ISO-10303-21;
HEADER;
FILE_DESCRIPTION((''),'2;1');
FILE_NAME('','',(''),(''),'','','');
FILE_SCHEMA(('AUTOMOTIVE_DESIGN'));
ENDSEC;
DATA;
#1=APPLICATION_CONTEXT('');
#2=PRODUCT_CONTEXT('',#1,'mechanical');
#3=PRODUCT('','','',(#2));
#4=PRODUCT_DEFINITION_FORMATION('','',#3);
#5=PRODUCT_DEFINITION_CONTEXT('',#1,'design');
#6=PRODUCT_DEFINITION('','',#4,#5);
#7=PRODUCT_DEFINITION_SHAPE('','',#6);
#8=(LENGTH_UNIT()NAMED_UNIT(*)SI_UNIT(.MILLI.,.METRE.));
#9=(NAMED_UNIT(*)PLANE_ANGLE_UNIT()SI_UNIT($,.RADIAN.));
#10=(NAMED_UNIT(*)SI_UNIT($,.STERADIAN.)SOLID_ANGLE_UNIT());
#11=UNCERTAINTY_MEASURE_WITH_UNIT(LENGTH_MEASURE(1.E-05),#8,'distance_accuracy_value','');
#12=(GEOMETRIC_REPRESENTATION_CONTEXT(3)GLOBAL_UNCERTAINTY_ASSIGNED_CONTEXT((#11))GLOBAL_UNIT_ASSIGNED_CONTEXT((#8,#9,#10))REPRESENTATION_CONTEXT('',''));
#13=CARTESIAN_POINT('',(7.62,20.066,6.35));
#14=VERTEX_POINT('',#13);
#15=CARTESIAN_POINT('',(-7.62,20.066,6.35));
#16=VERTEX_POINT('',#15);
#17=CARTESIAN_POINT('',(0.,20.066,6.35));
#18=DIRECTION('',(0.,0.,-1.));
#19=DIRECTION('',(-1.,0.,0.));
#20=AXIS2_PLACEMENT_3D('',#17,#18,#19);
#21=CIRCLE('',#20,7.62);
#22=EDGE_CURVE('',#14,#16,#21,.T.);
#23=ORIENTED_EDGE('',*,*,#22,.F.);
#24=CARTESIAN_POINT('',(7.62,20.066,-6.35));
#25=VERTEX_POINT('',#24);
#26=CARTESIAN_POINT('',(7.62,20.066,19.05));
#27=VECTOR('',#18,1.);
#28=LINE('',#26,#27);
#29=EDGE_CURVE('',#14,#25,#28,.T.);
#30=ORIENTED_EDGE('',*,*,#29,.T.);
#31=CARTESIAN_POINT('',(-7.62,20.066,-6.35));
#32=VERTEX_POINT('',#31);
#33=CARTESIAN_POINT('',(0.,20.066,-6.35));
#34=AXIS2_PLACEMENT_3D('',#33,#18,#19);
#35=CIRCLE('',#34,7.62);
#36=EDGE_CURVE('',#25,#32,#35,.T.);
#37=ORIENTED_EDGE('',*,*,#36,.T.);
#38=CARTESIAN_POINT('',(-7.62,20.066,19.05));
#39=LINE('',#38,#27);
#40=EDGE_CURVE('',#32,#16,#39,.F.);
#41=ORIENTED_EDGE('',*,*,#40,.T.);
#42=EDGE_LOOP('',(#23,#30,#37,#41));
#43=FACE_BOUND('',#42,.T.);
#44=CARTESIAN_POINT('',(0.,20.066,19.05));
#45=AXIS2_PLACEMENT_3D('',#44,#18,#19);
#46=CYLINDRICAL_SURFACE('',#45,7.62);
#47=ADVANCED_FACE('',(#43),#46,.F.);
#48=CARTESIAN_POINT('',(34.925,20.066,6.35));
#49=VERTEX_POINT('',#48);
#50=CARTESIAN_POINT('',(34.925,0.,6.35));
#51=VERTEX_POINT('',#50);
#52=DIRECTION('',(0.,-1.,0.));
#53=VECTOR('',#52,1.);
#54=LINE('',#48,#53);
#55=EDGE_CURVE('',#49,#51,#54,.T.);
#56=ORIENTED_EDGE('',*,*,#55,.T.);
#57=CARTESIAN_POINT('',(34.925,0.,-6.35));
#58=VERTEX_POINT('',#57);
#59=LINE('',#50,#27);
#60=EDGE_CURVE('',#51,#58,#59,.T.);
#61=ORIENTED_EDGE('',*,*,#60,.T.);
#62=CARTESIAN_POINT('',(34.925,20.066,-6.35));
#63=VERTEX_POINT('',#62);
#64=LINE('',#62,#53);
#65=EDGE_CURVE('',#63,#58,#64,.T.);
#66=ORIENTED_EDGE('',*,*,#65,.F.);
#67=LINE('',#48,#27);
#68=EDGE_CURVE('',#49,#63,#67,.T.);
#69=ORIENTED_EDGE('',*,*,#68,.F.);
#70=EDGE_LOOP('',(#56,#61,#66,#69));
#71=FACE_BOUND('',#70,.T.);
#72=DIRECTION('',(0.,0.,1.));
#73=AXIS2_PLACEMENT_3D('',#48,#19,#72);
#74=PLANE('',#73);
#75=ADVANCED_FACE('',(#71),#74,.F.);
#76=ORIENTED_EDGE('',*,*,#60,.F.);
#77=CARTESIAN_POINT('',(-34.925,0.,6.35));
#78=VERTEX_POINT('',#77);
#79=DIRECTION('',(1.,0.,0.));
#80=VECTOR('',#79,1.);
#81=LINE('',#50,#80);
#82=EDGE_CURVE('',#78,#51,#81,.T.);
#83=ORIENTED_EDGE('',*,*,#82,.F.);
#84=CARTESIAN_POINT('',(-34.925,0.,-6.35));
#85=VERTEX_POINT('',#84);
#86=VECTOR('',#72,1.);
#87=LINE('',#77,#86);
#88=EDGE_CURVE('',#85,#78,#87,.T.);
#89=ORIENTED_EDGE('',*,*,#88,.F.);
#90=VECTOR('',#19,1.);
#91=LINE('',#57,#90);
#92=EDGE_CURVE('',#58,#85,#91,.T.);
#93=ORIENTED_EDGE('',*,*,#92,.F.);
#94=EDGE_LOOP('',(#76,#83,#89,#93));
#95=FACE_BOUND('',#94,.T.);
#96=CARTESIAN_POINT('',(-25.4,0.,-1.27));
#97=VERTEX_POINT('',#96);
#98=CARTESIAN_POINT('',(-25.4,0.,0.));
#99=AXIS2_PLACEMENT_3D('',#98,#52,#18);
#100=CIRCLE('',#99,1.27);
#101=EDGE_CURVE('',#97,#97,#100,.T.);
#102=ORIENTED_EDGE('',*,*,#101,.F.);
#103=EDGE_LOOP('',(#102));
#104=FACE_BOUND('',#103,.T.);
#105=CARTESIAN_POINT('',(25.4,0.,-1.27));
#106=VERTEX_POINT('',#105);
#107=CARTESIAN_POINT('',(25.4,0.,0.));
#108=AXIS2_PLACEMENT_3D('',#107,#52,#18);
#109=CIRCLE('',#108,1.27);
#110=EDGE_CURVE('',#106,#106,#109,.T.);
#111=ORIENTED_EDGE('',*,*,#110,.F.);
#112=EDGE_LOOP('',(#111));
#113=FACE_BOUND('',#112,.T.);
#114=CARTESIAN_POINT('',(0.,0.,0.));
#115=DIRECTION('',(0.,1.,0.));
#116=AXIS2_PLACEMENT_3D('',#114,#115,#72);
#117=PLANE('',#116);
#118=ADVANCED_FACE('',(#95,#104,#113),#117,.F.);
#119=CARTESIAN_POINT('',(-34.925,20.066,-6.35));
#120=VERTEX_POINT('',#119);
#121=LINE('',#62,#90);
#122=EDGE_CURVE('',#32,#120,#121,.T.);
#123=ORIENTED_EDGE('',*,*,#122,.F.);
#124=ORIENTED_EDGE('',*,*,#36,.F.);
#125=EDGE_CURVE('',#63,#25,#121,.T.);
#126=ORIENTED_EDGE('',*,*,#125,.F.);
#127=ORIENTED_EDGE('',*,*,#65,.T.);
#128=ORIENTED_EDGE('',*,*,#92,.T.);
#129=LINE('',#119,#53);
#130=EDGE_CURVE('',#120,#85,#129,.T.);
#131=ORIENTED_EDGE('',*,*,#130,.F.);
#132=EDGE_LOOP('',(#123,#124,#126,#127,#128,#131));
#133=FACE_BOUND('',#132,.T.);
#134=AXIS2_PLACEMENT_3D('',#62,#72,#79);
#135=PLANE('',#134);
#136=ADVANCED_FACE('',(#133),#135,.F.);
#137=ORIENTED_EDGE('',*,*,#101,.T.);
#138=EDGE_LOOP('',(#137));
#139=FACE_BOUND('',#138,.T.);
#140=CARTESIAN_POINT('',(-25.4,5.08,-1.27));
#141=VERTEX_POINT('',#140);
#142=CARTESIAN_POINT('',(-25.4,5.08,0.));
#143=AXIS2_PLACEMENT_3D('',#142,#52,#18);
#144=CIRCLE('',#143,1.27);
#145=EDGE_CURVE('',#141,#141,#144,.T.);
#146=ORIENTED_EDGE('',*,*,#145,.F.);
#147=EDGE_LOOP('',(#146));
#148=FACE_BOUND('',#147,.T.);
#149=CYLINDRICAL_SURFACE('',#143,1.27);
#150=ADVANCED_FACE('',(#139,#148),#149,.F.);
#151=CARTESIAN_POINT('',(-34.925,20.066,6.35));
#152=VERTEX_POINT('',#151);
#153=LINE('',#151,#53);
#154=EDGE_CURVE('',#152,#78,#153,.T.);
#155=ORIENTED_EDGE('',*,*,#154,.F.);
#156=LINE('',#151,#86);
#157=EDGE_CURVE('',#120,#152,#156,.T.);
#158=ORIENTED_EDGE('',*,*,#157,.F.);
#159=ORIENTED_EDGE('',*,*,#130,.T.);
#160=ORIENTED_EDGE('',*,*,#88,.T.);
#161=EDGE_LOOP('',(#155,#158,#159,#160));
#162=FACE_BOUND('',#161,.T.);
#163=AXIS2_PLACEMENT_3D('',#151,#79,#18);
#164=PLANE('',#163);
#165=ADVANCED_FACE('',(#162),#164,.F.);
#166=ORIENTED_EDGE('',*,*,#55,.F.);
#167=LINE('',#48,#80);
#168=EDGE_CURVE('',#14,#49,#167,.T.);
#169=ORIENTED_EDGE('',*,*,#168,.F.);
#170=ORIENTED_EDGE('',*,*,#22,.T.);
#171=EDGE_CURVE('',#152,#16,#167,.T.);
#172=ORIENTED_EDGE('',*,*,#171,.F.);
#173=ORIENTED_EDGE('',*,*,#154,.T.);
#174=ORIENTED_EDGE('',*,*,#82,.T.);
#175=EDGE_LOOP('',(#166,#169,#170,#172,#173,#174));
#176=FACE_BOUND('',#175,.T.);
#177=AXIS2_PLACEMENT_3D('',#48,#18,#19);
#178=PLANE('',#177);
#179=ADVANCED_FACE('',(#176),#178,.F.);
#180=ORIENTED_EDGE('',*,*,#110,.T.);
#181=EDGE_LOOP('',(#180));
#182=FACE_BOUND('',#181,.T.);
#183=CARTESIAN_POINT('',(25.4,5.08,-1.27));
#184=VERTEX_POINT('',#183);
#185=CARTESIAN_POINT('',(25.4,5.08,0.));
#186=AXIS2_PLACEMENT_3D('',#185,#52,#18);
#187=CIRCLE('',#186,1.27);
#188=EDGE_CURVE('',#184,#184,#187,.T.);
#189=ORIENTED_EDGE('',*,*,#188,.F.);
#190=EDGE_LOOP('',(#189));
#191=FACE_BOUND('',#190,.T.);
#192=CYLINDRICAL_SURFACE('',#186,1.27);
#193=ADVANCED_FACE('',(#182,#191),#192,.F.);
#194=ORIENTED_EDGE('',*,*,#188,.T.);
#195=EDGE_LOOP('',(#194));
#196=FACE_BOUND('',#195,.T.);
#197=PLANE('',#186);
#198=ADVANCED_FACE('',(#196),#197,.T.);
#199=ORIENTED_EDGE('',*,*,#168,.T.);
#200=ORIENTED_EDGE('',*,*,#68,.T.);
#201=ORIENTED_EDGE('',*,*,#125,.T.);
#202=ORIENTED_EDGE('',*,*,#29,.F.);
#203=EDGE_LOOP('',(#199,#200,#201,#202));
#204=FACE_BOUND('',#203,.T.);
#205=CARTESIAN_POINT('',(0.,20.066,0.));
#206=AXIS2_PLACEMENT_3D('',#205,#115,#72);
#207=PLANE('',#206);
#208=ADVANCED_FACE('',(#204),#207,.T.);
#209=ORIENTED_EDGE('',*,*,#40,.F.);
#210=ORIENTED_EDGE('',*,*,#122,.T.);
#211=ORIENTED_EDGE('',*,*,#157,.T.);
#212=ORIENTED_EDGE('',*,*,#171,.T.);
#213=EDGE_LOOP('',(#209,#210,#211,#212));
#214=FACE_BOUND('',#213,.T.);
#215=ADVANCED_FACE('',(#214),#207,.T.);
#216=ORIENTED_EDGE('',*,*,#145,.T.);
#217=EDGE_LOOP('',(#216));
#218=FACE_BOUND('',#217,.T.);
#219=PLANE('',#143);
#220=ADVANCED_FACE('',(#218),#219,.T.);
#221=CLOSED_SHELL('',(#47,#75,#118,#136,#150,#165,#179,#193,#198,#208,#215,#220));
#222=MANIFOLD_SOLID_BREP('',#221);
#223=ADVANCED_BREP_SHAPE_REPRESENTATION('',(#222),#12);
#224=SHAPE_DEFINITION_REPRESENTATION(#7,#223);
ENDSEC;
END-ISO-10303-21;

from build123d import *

# Parameters (mm, degrees)
SKETCH1_W           = 69.85
SKETCH1_H           = 12.7
BOSS_EXTRUDE1_DEPTH = 20.066
SKETCH3_R           = 7.62
CUT_EXTRUDE3_DEPTH  = 25.4
SKETCH4_R           = 1.27
CUT_EXTRUDE4_DEPTH  = 5.08


with BuildPart() as part:
    # Sketch1 → Boss-Extrude1 (new body)
    with BuildSketch(Plane(origin=(0, 0, 0), x_dir=(1, 0, 0), z_dir=(0, 1, 0))):
        Rectangle(SKETCH1_W, SKETCH1_H)
    extrude(amount=BOSS_EXTRUDE1_DEPTH)

    # Sketch3 → Cut-Extrude3 (cut)
    with BuildSketch(Plane(origin=(0, 0, -6.35), x_dir=(-1, 0, 0), z_dir=(0, 0, -1))):
        with Locations((0, 20.066)):
            Circle(SKETCH3_R)
    extrude(amount=-CUT_EXTRUDE3_DEPTH, mode=Mode.SUBTRACT)

    # Sketch4 → Cut-Extrude4 (cut)
    with BuildSketch(Plane(origin=(0, 0, 0), x_dir=(-1, 0, 0), z_dir=(0, -1, 0))):
        with Locations(Location((25.4, 0, 0), (0, 0, 90))):
            Circle(SKETCH4_R)
        with Locations(Location((-25.4, 0, 0), (0, 0, 90))):
            Circle(SKETCH4_R)
    extrude(amount=-CUT_EXTRUDE4_DEPTH, mode=Mode.SUBTRACT)


solid = part.part
